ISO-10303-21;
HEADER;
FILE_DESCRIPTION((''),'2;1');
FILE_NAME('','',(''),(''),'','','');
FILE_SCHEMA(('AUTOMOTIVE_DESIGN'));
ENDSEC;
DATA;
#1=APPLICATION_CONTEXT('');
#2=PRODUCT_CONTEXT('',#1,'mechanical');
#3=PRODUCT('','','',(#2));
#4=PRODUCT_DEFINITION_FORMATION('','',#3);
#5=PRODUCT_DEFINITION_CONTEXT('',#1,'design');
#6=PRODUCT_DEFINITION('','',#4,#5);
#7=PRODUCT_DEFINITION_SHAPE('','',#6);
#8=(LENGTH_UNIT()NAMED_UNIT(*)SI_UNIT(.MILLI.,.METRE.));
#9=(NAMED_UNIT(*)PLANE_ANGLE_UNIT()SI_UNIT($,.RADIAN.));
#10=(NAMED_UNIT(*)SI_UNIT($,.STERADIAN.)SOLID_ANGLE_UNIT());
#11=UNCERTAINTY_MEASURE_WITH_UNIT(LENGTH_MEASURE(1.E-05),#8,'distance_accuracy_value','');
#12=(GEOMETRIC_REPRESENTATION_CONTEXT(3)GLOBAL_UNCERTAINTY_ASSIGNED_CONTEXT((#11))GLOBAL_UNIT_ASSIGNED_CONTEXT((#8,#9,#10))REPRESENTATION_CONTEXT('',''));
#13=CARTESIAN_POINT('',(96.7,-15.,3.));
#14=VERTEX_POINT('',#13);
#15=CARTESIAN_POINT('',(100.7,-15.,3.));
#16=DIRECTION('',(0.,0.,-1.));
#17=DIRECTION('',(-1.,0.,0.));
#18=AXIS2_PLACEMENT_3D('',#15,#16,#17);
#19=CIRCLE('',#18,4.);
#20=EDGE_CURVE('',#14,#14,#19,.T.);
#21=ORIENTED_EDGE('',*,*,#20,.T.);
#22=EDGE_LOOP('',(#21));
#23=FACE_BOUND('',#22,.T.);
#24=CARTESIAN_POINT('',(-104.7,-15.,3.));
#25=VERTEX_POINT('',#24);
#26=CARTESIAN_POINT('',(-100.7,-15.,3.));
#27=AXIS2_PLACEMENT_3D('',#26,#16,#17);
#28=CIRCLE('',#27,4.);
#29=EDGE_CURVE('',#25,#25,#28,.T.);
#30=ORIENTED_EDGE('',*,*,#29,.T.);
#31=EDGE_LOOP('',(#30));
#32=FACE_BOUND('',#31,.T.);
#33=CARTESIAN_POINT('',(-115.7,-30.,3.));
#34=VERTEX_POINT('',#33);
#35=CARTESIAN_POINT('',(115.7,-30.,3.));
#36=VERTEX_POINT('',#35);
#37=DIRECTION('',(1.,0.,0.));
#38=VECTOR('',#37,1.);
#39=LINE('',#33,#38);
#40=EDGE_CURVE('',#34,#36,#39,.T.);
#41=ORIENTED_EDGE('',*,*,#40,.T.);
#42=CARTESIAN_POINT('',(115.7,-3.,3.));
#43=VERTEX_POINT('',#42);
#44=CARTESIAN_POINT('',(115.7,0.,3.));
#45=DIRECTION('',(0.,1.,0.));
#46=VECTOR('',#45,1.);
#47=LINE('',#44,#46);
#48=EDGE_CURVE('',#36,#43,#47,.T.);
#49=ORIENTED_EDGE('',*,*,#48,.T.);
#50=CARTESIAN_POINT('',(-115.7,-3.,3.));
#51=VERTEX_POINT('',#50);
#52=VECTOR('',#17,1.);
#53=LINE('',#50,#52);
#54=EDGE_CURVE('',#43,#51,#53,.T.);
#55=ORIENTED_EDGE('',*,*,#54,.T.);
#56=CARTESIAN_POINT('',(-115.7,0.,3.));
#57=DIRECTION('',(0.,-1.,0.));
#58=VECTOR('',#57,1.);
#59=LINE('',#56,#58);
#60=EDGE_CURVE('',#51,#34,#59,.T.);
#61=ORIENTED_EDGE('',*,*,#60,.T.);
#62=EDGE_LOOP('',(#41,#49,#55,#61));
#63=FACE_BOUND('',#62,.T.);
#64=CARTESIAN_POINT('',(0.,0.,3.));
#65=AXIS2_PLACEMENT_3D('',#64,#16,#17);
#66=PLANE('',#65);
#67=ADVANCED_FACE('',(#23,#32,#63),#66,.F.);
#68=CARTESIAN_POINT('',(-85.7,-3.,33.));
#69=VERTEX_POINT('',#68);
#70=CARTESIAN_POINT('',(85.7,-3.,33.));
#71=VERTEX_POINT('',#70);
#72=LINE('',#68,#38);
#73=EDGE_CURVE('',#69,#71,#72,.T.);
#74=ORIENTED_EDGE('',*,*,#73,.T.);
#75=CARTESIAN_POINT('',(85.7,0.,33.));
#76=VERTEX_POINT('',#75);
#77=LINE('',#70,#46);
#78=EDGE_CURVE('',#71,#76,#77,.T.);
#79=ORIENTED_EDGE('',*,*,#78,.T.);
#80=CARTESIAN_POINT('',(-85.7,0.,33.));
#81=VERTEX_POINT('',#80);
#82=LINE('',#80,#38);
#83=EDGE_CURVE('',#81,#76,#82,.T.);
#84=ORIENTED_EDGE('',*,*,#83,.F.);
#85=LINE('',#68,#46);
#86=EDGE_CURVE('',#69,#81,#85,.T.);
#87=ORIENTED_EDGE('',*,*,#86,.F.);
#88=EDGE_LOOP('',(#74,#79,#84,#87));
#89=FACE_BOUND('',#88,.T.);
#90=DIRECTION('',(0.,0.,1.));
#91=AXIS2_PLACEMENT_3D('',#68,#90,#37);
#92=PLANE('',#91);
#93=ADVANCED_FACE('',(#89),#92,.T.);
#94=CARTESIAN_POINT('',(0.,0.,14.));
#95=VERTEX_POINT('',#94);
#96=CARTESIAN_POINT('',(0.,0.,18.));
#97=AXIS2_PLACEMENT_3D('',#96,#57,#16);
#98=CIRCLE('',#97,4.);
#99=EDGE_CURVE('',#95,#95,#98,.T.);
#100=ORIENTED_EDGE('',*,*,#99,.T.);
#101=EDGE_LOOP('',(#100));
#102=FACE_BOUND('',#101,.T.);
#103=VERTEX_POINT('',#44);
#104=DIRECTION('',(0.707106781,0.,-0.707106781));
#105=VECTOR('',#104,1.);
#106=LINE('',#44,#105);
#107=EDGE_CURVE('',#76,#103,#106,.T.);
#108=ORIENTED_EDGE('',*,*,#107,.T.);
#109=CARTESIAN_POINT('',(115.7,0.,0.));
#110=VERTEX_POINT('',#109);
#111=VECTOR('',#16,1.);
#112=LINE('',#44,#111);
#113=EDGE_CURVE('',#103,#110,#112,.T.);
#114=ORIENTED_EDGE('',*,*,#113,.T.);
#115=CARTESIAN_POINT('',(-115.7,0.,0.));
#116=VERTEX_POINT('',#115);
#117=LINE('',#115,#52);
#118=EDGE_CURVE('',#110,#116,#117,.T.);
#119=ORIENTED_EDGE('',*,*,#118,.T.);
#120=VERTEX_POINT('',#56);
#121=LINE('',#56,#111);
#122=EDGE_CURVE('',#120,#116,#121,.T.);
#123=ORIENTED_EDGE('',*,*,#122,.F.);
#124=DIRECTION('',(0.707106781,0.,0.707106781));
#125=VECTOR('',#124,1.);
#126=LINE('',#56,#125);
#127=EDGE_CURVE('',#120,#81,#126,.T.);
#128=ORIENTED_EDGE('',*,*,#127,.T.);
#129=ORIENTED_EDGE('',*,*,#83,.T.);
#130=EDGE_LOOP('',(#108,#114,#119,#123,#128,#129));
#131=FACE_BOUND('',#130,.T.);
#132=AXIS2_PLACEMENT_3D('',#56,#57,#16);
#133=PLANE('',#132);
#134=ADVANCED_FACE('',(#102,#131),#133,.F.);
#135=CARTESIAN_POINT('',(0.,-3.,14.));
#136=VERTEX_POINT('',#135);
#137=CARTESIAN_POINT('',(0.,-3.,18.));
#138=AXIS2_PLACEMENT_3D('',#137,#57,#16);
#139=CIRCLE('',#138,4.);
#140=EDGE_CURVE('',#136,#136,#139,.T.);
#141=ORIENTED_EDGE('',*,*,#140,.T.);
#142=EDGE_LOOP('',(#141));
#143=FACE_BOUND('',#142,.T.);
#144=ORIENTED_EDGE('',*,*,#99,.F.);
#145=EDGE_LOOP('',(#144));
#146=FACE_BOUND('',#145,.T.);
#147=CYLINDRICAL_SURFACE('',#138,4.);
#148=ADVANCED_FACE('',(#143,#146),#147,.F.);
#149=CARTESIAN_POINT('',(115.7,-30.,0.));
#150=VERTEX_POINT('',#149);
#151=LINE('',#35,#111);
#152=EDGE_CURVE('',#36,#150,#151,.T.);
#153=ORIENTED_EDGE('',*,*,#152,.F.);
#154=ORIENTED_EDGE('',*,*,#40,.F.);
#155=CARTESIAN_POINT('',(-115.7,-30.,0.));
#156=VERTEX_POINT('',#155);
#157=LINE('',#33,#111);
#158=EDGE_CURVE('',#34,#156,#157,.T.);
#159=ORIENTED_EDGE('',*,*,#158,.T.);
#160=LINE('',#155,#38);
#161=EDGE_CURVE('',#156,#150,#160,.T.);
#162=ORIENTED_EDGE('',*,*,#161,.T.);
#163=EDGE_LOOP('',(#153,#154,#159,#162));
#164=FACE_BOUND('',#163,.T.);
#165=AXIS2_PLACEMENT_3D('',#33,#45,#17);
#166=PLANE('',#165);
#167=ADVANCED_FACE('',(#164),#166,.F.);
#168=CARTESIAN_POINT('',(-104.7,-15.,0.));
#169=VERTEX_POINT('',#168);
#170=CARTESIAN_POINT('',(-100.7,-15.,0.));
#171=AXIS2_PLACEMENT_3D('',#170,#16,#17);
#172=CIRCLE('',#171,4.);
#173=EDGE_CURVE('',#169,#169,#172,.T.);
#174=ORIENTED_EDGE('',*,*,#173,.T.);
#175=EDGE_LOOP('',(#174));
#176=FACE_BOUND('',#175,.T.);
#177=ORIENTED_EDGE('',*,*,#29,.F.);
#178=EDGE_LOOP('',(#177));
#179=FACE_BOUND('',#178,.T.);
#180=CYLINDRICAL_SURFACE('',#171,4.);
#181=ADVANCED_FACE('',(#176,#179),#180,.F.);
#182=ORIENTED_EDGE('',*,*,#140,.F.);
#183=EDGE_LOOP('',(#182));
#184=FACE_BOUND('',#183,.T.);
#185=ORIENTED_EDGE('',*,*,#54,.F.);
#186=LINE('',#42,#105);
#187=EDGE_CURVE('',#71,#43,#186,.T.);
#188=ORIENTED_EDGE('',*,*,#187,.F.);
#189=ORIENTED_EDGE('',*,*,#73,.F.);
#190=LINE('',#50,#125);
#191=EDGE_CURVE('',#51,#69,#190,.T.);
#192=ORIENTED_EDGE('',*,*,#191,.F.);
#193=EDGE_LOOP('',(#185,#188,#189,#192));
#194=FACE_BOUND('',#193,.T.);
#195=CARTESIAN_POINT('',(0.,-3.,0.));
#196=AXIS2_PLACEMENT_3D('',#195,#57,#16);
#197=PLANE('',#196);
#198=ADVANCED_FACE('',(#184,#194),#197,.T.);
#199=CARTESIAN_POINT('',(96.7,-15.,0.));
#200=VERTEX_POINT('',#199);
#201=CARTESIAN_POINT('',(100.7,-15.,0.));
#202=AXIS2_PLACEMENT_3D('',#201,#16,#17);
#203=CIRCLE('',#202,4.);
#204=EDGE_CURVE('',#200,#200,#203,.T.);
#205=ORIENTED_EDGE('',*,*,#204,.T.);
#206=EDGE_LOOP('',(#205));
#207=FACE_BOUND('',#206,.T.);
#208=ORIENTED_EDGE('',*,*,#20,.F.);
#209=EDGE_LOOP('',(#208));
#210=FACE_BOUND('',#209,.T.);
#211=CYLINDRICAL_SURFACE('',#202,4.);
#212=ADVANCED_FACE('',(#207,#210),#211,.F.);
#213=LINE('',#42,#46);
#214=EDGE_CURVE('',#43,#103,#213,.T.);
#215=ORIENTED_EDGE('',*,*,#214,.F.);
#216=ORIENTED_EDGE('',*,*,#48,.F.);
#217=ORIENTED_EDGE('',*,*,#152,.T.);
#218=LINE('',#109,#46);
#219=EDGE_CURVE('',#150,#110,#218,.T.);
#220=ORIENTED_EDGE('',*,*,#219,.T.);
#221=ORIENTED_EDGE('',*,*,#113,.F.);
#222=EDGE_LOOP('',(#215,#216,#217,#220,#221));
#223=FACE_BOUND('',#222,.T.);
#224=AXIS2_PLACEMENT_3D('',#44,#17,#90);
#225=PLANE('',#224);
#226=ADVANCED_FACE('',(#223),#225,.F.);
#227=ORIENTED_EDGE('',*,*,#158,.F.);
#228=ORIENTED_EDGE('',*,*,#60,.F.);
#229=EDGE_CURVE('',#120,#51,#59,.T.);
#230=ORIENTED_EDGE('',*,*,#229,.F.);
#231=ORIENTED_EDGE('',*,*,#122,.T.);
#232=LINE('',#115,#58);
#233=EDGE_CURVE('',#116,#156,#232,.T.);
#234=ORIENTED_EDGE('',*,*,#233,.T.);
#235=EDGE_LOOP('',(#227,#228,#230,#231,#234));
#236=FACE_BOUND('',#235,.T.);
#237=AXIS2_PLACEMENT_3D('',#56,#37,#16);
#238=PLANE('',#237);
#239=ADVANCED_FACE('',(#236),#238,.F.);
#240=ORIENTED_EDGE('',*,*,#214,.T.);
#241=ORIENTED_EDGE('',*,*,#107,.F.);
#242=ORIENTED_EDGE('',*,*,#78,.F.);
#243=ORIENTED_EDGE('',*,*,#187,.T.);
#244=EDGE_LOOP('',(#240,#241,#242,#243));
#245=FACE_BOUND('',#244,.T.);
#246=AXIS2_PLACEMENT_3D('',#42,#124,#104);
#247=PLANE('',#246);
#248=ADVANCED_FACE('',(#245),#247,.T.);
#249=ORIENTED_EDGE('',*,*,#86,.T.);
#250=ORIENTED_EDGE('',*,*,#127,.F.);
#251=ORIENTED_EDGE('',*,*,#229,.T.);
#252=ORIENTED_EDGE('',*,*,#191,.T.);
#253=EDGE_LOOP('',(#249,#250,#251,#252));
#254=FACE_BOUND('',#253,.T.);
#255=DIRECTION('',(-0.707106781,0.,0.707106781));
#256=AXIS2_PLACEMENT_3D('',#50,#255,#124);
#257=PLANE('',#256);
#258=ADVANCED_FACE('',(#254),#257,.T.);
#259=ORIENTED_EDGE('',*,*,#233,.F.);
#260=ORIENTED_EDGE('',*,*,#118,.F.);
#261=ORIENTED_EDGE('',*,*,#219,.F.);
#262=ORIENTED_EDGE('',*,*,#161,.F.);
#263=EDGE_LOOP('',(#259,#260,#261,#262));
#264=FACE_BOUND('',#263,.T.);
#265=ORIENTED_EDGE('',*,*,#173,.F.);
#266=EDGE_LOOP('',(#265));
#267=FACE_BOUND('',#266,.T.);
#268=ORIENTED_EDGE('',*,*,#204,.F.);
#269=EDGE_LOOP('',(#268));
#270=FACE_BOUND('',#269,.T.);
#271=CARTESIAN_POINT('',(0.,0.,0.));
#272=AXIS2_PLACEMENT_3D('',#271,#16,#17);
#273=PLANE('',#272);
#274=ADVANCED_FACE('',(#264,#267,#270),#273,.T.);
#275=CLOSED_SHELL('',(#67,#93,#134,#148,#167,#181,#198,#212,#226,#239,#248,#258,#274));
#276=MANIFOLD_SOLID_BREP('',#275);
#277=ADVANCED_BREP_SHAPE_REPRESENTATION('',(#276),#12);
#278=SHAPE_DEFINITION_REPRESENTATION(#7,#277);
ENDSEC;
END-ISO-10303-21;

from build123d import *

# Parameters (mm, degrees)
SKETCH1_W                = 231.4
SKETCH1_H                = 30
BOSS_EXTRUDE1_DEPTH      = 3
BOSS_EXTRUDE2_DEPTH      = 3
F_8_0_8_DIAMETER_HOLE2_D = 8
F_8_0_8_DIAMETER_HOLE1_D = 8


with BuildPart() as part:
    # Sketch1 → Boss-Extrude1 (new body)
    with BuildSketch(Plane.XY):
        with Locations((0, -15)):
            Rectangle(SKETCH1_W, SKETCH1_H)
    extrude(amount=BOSS_EXTRUDE1_DEPTH)

    # Sketch3 → Boss-Extrude2 (add)
    with BuildSketch(Plane(origin=(0, 0, 0), x_dir=(1, 0, 0), z_dir=(0, 1, 0))):
        Polygon((-85.7, -33), (85.7, -33), (115.7, -3), (-115.7, -3), align=None)
    extrude(amount=-BOSS_EXTRUDE2_DEPTH)

    # Ø8.0 (8) Diameter Hole2 (through all)
    with Locations(Plane(origin=(0, 0, 0), x_dir=(-1, 0, 0), z_dir=(0, 0, -1))):
        with Locations((100.7, -15), (-100.7, -15)):
            Hole(F_8_0_8_DIAMETER_HOLE2_D / 2)

    # Ø8.0 (8) Diameter Hole1 (through all)
    with Locations(Plane(origin=(0, -3, 0), x_dir=(-1, 0, 0), z_dir=(0, -1, 0))):
        with Locations((0, -18)):
            Hole(F_8_0_8_DIAMETER_HOLE1_D / 2)


solid = part.part
